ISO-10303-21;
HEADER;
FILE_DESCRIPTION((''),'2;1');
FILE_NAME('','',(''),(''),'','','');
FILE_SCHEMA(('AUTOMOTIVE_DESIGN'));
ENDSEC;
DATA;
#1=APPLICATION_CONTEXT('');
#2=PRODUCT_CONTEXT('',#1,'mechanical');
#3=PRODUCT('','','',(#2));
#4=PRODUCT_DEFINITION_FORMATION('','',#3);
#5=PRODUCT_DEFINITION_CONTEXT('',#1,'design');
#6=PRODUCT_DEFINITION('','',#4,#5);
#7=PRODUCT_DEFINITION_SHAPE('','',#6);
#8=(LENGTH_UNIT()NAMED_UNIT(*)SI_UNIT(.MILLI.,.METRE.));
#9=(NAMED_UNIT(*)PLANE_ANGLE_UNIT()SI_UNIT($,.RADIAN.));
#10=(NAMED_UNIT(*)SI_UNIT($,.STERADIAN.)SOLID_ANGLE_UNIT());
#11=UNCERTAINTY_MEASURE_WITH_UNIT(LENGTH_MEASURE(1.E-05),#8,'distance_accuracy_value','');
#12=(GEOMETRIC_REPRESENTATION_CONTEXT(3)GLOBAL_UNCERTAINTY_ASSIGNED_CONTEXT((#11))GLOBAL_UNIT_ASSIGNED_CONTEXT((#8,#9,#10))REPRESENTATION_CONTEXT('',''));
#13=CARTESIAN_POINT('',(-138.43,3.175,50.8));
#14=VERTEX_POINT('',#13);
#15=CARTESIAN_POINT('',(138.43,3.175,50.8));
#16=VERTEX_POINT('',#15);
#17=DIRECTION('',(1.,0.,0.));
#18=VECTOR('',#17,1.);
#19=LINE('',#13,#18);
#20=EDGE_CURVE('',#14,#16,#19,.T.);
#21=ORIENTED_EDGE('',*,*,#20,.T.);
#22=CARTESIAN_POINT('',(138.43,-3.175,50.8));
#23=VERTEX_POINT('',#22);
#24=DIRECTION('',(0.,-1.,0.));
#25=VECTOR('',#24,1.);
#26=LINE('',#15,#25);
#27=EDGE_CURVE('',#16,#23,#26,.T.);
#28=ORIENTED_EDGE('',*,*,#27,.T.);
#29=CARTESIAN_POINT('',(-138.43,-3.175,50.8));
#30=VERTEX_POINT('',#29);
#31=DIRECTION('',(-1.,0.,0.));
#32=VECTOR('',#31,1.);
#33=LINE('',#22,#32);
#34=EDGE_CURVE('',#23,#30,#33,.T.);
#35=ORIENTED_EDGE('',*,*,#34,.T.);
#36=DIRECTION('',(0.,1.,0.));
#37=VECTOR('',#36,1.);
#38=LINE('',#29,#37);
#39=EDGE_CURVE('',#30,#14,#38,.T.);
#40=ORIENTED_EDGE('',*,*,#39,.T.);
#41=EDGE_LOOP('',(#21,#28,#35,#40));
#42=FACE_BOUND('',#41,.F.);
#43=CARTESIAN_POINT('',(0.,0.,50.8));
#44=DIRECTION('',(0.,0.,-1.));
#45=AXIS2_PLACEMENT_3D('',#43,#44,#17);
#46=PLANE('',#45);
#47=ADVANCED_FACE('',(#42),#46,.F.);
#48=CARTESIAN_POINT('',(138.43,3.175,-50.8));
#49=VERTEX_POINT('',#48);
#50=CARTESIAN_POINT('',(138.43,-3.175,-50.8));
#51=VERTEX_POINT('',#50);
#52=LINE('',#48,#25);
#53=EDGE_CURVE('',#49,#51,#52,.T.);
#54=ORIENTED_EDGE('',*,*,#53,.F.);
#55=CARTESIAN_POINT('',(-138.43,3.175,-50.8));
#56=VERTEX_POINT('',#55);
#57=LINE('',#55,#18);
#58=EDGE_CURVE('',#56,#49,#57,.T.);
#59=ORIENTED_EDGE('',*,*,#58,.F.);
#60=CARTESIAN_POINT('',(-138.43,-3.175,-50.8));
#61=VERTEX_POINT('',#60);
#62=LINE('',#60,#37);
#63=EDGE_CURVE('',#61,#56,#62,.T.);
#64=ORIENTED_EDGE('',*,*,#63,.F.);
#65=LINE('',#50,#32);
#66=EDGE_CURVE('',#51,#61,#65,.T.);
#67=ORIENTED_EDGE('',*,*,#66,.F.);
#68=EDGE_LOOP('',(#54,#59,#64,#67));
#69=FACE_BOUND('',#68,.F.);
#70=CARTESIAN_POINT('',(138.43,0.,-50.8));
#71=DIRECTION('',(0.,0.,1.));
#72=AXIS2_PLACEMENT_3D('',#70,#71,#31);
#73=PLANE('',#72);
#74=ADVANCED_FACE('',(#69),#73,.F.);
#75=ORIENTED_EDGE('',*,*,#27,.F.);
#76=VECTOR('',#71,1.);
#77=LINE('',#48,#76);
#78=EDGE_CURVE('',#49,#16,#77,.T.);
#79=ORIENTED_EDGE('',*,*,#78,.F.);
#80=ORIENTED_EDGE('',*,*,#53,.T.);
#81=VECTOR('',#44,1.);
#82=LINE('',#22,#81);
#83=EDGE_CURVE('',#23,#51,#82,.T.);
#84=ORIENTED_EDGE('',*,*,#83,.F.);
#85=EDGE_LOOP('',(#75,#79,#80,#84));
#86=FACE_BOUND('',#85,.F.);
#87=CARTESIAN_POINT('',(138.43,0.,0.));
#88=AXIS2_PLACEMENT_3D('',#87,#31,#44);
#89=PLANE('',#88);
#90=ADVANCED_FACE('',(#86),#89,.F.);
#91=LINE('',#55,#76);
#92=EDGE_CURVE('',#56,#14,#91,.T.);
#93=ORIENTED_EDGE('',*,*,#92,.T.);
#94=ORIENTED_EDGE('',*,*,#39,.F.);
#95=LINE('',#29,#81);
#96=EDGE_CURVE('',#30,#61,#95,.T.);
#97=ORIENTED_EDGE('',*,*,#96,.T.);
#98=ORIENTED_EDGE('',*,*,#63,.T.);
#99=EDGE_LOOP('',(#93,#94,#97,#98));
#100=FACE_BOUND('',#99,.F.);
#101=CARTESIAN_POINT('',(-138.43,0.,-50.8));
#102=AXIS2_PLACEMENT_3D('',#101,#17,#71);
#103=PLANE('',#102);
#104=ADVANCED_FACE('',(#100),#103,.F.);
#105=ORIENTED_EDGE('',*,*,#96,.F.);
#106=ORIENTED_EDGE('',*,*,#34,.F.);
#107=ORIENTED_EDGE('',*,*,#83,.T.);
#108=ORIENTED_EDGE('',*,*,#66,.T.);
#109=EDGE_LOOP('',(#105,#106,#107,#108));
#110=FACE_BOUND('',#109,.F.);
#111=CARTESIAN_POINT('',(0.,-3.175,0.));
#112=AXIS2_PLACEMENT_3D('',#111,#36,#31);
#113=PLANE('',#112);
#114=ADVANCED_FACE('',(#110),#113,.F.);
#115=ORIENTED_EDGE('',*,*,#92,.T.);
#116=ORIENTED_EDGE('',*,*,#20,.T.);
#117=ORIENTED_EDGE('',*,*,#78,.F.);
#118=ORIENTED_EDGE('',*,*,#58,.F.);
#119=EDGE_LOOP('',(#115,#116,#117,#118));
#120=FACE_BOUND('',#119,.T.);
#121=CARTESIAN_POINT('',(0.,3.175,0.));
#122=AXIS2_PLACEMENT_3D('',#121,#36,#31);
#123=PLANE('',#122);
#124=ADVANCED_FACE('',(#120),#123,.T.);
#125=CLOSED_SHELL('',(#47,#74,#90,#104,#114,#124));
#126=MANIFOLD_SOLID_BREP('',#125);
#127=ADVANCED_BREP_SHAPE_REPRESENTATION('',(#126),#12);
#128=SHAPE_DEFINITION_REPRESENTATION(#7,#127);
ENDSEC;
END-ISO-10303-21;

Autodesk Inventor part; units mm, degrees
ref_plane "YZ Plane" through (0, 0, 0) normal (1, 0, 0) x (0, 1, 0)
ref_plane "XZ Plane" through (0, 0, 0) normal (0, 1, 0) x (-1, 0, 0)
ref_plane "XY Plane" through (0, 0, 0) normal (0, 0, 1) x (1, 0, 0)
sketch "Sketch1" plane through (0, 0, 0) normal (0, 1, 0) x (-1, 0, 0)
  line L0 (0, -71.12) -> (0, 71.12) projected
  line L1 (-193.802, 0) -> (193.802, 0) projected
  line L2 (138.43, 50.8) -> (-138.43, 50.8)
  line L3 (-138.43, 50.8) -> (-138.43, -50.8)
  line L4 (-138.43, -50.8) -> (138.43, -50.8)
  line L5 (138.43, -50.8) -> (138.43, 50.8)
  line L6 (138.43, 50.8) -> (-138.43, -50.8) construction
  line L7 (-138.43, 50.8) -> (138.43, -50.8) construction
  point P0 (0, 0)
  dimension "d0" = 276.86
  dimension "d1" = 101.6
extrude "Extrusion1" add sketch "Sketch1" along normal mid plane 6.35
properties part number "SLSMLSMRSR"
